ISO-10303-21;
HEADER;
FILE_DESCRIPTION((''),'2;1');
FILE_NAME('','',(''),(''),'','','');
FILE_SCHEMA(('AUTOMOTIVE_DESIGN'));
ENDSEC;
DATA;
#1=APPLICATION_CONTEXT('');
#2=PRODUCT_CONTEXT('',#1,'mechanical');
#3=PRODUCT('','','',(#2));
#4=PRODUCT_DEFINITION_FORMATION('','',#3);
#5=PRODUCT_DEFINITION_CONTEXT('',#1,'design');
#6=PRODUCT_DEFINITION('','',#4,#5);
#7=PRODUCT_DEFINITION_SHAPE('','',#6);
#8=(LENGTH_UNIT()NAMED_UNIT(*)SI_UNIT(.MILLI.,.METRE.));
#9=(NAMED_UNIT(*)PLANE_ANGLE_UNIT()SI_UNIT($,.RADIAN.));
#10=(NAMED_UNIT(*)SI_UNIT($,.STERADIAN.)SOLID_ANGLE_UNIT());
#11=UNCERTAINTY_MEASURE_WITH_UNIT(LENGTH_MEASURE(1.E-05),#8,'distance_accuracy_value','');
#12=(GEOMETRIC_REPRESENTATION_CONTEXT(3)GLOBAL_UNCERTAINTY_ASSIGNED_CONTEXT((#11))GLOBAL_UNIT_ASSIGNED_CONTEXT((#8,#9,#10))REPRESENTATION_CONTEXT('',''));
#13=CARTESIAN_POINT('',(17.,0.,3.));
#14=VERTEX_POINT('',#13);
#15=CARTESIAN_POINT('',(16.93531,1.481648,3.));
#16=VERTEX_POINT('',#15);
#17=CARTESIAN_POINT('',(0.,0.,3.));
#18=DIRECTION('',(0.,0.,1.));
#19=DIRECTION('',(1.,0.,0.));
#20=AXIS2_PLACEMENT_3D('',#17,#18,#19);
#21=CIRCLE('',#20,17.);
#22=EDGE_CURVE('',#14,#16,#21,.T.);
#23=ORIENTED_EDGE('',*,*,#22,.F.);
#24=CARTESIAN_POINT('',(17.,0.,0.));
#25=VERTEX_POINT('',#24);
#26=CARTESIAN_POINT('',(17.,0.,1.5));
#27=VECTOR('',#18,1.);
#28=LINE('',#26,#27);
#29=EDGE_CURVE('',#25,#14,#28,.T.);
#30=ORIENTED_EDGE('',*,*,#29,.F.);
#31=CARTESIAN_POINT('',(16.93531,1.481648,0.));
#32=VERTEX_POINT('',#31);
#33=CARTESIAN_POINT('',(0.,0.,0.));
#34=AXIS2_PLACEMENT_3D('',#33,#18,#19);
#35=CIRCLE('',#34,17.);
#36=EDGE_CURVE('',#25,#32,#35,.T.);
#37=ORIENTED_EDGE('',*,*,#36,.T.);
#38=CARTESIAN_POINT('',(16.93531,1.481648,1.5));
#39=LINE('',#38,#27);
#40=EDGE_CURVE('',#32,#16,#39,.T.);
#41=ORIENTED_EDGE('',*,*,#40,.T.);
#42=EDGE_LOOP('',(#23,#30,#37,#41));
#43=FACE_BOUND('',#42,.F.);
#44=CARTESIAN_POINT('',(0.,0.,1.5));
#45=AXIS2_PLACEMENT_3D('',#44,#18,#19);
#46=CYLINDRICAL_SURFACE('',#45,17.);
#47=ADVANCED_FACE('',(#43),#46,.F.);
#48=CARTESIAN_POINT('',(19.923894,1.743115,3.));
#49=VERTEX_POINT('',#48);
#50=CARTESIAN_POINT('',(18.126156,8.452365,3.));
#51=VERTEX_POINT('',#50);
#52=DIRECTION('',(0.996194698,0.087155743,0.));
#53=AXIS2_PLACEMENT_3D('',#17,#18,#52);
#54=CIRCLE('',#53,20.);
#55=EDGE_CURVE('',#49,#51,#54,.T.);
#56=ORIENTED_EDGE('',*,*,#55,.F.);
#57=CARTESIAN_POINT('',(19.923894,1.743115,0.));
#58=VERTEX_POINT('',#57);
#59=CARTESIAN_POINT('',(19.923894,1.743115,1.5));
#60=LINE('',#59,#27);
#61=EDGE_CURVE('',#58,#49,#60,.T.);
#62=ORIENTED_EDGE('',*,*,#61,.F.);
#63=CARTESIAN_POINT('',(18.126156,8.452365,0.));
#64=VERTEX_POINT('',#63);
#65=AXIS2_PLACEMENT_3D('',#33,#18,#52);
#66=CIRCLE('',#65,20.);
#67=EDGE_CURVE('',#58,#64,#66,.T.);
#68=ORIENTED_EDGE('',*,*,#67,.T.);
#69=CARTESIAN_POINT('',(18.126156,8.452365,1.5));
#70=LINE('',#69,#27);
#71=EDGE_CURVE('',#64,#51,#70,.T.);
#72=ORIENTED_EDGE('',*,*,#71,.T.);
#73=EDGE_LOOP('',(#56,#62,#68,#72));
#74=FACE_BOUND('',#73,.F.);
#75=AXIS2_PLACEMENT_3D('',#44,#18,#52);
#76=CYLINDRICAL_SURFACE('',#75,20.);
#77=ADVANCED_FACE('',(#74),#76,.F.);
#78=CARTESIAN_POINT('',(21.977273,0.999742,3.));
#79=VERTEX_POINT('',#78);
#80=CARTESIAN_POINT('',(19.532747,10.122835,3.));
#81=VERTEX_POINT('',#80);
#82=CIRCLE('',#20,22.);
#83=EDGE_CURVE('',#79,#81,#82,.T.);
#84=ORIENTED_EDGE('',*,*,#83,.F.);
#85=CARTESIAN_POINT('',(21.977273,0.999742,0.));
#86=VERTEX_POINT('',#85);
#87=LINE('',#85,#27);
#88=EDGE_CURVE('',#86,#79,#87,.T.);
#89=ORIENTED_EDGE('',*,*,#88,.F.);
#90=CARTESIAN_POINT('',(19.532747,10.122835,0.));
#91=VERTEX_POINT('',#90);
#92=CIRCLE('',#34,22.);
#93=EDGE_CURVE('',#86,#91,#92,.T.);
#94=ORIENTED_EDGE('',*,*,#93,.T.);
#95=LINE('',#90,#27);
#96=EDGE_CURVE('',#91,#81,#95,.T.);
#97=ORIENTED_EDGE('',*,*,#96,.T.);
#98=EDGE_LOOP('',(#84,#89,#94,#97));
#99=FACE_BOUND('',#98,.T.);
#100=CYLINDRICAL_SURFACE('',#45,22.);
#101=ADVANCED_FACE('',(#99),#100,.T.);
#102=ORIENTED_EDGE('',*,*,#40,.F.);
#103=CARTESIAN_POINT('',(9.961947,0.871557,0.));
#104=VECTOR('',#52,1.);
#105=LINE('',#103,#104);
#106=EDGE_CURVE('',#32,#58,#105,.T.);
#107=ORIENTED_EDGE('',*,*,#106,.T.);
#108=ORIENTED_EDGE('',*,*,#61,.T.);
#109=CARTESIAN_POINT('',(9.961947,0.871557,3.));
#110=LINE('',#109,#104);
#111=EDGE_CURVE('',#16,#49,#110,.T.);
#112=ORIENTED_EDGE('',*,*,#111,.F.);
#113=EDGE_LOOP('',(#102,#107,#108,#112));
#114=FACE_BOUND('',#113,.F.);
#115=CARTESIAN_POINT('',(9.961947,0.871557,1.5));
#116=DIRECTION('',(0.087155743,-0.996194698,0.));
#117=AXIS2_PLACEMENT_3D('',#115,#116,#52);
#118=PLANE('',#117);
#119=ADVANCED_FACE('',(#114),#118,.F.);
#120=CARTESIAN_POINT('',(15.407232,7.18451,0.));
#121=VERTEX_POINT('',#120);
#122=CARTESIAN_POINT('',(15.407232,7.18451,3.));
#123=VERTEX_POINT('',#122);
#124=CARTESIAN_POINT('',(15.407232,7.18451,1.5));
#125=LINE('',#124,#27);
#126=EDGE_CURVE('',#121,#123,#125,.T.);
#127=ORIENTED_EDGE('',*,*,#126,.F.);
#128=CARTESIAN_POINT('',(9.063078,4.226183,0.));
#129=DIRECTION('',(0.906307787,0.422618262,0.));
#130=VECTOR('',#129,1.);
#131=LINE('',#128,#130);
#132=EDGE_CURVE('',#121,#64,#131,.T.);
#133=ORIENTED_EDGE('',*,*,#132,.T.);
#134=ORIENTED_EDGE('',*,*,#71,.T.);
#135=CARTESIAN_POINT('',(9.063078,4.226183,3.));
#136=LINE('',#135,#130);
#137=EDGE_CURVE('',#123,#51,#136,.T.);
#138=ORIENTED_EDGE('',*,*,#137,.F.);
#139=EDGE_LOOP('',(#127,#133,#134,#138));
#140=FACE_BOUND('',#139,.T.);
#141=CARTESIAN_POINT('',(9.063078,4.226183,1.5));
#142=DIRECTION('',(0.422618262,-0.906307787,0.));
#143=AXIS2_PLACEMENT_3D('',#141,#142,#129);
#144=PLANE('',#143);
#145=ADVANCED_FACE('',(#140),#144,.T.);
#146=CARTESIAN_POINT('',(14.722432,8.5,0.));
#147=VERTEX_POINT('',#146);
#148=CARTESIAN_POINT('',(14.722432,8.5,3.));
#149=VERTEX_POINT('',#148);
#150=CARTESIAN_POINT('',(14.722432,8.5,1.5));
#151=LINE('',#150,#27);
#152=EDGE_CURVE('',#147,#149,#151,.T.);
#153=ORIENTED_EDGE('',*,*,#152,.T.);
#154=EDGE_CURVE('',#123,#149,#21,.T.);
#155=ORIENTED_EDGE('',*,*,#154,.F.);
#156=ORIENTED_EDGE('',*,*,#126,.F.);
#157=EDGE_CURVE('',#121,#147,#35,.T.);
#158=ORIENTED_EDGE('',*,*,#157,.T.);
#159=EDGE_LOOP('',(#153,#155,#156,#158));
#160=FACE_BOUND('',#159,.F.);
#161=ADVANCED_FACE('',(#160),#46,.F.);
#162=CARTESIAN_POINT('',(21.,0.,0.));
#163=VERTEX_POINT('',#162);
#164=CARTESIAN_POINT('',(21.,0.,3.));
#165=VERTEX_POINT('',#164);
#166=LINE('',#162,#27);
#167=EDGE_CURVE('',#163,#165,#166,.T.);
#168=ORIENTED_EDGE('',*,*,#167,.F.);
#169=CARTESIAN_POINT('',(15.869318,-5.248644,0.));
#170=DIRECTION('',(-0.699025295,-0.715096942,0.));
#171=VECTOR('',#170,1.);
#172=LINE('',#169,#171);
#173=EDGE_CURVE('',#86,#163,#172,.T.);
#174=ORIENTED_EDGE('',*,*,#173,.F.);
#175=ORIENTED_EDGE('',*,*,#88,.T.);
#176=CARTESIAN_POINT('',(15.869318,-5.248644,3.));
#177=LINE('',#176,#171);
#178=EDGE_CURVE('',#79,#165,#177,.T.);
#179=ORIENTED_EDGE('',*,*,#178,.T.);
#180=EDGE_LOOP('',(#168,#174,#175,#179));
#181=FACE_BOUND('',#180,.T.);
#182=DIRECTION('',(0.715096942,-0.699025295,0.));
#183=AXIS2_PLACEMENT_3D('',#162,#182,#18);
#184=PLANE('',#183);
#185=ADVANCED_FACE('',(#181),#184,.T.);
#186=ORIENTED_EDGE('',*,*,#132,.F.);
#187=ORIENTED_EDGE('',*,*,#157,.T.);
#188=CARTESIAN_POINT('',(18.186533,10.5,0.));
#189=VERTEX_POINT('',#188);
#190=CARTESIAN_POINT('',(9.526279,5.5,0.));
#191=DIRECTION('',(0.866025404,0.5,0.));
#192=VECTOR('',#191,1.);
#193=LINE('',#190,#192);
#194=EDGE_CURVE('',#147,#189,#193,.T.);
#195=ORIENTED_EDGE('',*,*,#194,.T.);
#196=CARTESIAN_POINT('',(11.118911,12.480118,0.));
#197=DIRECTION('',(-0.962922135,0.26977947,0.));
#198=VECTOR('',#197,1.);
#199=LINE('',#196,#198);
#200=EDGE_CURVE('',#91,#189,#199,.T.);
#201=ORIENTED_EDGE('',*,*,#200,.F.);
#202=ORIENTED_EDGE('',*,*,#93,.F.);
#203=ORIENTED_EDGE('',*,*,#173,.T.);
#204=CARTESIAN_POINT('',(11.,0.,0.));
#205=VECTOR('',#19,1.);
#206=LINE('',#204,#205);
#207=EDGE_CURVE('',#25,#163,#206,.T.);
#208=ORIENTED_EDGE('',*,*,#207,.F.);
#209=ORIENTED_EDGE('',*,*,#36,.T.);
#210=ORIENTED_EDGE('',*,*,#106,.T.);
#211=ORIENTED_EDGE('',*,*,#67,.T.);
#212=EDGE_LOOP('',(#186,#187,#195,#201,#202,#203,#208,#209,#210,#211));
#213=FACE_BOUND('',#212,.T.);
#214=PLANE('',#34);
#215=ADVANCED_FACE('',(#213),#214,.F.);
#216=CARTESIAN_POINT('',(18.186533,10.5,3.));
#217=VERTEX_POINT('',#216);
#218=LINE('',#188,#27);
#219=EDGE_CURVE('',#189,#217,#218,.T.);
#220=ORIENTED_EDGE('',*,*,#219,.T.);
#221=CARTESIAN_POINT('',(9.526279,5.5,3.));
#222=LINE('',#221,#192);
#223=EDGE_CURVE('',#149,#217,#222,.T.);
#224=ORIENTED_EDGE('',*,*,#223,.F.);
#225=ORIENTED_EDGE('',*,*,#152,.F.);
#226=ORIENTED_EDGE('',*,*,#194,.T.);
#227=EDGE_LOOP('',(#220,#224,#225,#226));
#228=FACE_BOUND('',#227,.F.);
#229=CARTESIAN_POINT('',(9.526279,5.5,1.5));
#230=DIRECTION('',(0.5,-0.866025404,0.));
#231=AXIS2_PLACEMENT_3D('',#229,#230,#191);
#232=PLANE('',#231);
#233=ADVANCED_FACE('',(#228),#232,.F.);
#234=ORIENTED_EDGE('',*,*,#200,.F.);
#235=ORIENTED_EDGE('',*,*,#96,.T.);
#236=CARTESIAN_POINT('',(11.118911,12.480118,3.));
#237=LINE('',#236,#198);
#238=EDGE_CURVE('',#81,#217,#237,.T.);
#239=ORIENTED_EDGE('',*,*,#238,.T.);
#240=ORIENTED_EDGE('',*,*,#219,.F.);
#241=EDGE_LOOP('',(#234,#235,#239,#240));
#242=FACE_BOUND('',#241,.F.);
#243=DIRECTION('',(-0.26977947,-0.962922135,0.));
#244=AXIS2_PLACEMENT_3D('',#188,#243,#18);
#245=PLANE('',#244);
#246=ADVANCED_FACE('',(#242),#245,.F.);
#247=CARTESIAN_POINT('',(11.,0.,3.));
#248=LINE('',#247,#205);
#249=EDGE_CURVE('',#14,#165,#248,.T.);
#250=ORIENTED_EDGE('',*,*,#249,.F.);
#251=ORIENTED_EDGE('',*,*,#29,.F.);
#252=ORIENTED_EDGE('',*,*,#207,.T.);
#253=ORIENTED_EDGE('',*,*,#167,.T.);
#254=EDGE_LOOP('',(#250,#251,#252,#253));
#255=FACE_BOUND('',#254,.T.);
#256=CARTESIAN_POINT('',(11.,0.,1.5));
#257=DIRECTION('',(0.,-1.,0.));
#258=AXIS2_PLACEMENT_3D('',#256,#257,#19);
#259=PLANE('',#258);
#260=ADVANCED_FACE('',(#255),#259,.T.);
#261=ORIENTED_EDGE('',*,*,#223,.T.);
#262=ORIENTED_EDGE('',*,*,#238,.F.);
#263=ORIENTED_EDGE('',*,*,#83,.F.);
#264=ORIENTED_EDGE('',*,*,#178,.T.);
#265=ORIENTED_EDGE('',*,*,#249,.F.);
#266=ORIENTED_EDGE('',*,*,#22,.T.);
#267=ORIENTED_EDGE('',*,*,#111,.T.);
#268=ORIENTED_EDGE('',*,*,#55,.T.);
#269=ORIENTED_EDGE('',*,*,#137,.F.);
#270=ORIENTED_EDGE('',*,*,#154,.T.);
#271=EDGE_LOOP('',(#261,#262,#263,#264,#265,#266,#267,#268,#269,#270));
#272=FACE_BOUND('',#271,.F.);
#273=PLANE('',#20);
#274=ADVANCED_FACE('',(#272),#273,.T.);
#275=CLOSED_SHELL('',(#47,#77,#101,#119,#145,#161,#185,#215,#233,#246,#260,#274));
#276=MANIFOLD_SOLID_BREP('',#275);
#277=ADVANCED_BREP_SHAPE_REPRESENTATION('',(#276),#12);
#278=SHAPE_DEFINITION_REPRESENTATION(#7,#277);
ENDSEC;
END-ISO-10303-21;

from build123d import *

# Parameters (mm, degrees)
CYLINDER001_W            = 17
CYLINDER001_H            = 3
CYLINDER001_ANGLE        = 30
CYLINDER_W               = 20
CYLINDER_H               = 3
CYLINDER_ANGLE           = 20
CYLINDER_PLACEMENT_ANGLE = 5
CYLINDER002_W            = 22
CYLINDER002_H            = 3
CYLINDER002_ANGLE        = 30
CHAMFER007003_SIZE       = 1


with BuildPart() as cylinder001:
    # Cylinder001 → Cylinder001 (revolve)
    with BuildSketch(Plane.XZ):
        with Locations((8.5, 1.5)):
            Rectangle(CYLINDER001_W, CYLINDER001_H)
    revolve(axis=Axis((0, 0, 0), (0, 0, 1)), revolution_arc=CYLINDER001_ANGLE)


with BuildPart() as cylinder:
    # Cylinder → Cylinder (revolve)
    with BuildSketch(Plane.XZ):
        with Locations((10, 1.5)):
            Rectangle(CYLINDER_W, CYLINDER_H)
    revolve(axis=Axis((0, 0, 0), (0, 0, 1)), revolution_arc=CYLINDER_ANGLE)


with BuildPart() as cylinder_1:
    # Cylinder placement: moved
    add(cylinder.part.rotate(Axis((0, 0, 0), (0, 0, 1)), CYLINDER_PLACEMENT_ANGLE))


with BuildPart() as chamfer007003:
    # Cylinder002 → Cylinder002 (revolve)
    with BuildSketch(Plane.XZ):
        with Locations((11, 1.5)):
            Rectangle(CYLINDER002_W, CYLINDER002_H)
    revolve(axis=Axis((0, 0, 0), (0, 0, 1)), revolution_arc=CYLINDER002_ANGLE)

    # Cut001: cut Cylinder
    add(cylinder_1.part, mode=Mode.SUBTRACT)

    # Cut002: cut Cylinder001
    add(cylinder001.part, mode=Mode.SUBTRACT)

    # Chamfer007003
    chamfer007003_edges = [chamfer007003.edges().sort_by_distance(p)[0] for p in [
        (19.052559, 11, 1.5),
        (22, 0, 1.5),
    ]]
    chamfer(chamfer007003_edges, length=CHAMFER007003_SIZE)


solid = chamfer007003.part
